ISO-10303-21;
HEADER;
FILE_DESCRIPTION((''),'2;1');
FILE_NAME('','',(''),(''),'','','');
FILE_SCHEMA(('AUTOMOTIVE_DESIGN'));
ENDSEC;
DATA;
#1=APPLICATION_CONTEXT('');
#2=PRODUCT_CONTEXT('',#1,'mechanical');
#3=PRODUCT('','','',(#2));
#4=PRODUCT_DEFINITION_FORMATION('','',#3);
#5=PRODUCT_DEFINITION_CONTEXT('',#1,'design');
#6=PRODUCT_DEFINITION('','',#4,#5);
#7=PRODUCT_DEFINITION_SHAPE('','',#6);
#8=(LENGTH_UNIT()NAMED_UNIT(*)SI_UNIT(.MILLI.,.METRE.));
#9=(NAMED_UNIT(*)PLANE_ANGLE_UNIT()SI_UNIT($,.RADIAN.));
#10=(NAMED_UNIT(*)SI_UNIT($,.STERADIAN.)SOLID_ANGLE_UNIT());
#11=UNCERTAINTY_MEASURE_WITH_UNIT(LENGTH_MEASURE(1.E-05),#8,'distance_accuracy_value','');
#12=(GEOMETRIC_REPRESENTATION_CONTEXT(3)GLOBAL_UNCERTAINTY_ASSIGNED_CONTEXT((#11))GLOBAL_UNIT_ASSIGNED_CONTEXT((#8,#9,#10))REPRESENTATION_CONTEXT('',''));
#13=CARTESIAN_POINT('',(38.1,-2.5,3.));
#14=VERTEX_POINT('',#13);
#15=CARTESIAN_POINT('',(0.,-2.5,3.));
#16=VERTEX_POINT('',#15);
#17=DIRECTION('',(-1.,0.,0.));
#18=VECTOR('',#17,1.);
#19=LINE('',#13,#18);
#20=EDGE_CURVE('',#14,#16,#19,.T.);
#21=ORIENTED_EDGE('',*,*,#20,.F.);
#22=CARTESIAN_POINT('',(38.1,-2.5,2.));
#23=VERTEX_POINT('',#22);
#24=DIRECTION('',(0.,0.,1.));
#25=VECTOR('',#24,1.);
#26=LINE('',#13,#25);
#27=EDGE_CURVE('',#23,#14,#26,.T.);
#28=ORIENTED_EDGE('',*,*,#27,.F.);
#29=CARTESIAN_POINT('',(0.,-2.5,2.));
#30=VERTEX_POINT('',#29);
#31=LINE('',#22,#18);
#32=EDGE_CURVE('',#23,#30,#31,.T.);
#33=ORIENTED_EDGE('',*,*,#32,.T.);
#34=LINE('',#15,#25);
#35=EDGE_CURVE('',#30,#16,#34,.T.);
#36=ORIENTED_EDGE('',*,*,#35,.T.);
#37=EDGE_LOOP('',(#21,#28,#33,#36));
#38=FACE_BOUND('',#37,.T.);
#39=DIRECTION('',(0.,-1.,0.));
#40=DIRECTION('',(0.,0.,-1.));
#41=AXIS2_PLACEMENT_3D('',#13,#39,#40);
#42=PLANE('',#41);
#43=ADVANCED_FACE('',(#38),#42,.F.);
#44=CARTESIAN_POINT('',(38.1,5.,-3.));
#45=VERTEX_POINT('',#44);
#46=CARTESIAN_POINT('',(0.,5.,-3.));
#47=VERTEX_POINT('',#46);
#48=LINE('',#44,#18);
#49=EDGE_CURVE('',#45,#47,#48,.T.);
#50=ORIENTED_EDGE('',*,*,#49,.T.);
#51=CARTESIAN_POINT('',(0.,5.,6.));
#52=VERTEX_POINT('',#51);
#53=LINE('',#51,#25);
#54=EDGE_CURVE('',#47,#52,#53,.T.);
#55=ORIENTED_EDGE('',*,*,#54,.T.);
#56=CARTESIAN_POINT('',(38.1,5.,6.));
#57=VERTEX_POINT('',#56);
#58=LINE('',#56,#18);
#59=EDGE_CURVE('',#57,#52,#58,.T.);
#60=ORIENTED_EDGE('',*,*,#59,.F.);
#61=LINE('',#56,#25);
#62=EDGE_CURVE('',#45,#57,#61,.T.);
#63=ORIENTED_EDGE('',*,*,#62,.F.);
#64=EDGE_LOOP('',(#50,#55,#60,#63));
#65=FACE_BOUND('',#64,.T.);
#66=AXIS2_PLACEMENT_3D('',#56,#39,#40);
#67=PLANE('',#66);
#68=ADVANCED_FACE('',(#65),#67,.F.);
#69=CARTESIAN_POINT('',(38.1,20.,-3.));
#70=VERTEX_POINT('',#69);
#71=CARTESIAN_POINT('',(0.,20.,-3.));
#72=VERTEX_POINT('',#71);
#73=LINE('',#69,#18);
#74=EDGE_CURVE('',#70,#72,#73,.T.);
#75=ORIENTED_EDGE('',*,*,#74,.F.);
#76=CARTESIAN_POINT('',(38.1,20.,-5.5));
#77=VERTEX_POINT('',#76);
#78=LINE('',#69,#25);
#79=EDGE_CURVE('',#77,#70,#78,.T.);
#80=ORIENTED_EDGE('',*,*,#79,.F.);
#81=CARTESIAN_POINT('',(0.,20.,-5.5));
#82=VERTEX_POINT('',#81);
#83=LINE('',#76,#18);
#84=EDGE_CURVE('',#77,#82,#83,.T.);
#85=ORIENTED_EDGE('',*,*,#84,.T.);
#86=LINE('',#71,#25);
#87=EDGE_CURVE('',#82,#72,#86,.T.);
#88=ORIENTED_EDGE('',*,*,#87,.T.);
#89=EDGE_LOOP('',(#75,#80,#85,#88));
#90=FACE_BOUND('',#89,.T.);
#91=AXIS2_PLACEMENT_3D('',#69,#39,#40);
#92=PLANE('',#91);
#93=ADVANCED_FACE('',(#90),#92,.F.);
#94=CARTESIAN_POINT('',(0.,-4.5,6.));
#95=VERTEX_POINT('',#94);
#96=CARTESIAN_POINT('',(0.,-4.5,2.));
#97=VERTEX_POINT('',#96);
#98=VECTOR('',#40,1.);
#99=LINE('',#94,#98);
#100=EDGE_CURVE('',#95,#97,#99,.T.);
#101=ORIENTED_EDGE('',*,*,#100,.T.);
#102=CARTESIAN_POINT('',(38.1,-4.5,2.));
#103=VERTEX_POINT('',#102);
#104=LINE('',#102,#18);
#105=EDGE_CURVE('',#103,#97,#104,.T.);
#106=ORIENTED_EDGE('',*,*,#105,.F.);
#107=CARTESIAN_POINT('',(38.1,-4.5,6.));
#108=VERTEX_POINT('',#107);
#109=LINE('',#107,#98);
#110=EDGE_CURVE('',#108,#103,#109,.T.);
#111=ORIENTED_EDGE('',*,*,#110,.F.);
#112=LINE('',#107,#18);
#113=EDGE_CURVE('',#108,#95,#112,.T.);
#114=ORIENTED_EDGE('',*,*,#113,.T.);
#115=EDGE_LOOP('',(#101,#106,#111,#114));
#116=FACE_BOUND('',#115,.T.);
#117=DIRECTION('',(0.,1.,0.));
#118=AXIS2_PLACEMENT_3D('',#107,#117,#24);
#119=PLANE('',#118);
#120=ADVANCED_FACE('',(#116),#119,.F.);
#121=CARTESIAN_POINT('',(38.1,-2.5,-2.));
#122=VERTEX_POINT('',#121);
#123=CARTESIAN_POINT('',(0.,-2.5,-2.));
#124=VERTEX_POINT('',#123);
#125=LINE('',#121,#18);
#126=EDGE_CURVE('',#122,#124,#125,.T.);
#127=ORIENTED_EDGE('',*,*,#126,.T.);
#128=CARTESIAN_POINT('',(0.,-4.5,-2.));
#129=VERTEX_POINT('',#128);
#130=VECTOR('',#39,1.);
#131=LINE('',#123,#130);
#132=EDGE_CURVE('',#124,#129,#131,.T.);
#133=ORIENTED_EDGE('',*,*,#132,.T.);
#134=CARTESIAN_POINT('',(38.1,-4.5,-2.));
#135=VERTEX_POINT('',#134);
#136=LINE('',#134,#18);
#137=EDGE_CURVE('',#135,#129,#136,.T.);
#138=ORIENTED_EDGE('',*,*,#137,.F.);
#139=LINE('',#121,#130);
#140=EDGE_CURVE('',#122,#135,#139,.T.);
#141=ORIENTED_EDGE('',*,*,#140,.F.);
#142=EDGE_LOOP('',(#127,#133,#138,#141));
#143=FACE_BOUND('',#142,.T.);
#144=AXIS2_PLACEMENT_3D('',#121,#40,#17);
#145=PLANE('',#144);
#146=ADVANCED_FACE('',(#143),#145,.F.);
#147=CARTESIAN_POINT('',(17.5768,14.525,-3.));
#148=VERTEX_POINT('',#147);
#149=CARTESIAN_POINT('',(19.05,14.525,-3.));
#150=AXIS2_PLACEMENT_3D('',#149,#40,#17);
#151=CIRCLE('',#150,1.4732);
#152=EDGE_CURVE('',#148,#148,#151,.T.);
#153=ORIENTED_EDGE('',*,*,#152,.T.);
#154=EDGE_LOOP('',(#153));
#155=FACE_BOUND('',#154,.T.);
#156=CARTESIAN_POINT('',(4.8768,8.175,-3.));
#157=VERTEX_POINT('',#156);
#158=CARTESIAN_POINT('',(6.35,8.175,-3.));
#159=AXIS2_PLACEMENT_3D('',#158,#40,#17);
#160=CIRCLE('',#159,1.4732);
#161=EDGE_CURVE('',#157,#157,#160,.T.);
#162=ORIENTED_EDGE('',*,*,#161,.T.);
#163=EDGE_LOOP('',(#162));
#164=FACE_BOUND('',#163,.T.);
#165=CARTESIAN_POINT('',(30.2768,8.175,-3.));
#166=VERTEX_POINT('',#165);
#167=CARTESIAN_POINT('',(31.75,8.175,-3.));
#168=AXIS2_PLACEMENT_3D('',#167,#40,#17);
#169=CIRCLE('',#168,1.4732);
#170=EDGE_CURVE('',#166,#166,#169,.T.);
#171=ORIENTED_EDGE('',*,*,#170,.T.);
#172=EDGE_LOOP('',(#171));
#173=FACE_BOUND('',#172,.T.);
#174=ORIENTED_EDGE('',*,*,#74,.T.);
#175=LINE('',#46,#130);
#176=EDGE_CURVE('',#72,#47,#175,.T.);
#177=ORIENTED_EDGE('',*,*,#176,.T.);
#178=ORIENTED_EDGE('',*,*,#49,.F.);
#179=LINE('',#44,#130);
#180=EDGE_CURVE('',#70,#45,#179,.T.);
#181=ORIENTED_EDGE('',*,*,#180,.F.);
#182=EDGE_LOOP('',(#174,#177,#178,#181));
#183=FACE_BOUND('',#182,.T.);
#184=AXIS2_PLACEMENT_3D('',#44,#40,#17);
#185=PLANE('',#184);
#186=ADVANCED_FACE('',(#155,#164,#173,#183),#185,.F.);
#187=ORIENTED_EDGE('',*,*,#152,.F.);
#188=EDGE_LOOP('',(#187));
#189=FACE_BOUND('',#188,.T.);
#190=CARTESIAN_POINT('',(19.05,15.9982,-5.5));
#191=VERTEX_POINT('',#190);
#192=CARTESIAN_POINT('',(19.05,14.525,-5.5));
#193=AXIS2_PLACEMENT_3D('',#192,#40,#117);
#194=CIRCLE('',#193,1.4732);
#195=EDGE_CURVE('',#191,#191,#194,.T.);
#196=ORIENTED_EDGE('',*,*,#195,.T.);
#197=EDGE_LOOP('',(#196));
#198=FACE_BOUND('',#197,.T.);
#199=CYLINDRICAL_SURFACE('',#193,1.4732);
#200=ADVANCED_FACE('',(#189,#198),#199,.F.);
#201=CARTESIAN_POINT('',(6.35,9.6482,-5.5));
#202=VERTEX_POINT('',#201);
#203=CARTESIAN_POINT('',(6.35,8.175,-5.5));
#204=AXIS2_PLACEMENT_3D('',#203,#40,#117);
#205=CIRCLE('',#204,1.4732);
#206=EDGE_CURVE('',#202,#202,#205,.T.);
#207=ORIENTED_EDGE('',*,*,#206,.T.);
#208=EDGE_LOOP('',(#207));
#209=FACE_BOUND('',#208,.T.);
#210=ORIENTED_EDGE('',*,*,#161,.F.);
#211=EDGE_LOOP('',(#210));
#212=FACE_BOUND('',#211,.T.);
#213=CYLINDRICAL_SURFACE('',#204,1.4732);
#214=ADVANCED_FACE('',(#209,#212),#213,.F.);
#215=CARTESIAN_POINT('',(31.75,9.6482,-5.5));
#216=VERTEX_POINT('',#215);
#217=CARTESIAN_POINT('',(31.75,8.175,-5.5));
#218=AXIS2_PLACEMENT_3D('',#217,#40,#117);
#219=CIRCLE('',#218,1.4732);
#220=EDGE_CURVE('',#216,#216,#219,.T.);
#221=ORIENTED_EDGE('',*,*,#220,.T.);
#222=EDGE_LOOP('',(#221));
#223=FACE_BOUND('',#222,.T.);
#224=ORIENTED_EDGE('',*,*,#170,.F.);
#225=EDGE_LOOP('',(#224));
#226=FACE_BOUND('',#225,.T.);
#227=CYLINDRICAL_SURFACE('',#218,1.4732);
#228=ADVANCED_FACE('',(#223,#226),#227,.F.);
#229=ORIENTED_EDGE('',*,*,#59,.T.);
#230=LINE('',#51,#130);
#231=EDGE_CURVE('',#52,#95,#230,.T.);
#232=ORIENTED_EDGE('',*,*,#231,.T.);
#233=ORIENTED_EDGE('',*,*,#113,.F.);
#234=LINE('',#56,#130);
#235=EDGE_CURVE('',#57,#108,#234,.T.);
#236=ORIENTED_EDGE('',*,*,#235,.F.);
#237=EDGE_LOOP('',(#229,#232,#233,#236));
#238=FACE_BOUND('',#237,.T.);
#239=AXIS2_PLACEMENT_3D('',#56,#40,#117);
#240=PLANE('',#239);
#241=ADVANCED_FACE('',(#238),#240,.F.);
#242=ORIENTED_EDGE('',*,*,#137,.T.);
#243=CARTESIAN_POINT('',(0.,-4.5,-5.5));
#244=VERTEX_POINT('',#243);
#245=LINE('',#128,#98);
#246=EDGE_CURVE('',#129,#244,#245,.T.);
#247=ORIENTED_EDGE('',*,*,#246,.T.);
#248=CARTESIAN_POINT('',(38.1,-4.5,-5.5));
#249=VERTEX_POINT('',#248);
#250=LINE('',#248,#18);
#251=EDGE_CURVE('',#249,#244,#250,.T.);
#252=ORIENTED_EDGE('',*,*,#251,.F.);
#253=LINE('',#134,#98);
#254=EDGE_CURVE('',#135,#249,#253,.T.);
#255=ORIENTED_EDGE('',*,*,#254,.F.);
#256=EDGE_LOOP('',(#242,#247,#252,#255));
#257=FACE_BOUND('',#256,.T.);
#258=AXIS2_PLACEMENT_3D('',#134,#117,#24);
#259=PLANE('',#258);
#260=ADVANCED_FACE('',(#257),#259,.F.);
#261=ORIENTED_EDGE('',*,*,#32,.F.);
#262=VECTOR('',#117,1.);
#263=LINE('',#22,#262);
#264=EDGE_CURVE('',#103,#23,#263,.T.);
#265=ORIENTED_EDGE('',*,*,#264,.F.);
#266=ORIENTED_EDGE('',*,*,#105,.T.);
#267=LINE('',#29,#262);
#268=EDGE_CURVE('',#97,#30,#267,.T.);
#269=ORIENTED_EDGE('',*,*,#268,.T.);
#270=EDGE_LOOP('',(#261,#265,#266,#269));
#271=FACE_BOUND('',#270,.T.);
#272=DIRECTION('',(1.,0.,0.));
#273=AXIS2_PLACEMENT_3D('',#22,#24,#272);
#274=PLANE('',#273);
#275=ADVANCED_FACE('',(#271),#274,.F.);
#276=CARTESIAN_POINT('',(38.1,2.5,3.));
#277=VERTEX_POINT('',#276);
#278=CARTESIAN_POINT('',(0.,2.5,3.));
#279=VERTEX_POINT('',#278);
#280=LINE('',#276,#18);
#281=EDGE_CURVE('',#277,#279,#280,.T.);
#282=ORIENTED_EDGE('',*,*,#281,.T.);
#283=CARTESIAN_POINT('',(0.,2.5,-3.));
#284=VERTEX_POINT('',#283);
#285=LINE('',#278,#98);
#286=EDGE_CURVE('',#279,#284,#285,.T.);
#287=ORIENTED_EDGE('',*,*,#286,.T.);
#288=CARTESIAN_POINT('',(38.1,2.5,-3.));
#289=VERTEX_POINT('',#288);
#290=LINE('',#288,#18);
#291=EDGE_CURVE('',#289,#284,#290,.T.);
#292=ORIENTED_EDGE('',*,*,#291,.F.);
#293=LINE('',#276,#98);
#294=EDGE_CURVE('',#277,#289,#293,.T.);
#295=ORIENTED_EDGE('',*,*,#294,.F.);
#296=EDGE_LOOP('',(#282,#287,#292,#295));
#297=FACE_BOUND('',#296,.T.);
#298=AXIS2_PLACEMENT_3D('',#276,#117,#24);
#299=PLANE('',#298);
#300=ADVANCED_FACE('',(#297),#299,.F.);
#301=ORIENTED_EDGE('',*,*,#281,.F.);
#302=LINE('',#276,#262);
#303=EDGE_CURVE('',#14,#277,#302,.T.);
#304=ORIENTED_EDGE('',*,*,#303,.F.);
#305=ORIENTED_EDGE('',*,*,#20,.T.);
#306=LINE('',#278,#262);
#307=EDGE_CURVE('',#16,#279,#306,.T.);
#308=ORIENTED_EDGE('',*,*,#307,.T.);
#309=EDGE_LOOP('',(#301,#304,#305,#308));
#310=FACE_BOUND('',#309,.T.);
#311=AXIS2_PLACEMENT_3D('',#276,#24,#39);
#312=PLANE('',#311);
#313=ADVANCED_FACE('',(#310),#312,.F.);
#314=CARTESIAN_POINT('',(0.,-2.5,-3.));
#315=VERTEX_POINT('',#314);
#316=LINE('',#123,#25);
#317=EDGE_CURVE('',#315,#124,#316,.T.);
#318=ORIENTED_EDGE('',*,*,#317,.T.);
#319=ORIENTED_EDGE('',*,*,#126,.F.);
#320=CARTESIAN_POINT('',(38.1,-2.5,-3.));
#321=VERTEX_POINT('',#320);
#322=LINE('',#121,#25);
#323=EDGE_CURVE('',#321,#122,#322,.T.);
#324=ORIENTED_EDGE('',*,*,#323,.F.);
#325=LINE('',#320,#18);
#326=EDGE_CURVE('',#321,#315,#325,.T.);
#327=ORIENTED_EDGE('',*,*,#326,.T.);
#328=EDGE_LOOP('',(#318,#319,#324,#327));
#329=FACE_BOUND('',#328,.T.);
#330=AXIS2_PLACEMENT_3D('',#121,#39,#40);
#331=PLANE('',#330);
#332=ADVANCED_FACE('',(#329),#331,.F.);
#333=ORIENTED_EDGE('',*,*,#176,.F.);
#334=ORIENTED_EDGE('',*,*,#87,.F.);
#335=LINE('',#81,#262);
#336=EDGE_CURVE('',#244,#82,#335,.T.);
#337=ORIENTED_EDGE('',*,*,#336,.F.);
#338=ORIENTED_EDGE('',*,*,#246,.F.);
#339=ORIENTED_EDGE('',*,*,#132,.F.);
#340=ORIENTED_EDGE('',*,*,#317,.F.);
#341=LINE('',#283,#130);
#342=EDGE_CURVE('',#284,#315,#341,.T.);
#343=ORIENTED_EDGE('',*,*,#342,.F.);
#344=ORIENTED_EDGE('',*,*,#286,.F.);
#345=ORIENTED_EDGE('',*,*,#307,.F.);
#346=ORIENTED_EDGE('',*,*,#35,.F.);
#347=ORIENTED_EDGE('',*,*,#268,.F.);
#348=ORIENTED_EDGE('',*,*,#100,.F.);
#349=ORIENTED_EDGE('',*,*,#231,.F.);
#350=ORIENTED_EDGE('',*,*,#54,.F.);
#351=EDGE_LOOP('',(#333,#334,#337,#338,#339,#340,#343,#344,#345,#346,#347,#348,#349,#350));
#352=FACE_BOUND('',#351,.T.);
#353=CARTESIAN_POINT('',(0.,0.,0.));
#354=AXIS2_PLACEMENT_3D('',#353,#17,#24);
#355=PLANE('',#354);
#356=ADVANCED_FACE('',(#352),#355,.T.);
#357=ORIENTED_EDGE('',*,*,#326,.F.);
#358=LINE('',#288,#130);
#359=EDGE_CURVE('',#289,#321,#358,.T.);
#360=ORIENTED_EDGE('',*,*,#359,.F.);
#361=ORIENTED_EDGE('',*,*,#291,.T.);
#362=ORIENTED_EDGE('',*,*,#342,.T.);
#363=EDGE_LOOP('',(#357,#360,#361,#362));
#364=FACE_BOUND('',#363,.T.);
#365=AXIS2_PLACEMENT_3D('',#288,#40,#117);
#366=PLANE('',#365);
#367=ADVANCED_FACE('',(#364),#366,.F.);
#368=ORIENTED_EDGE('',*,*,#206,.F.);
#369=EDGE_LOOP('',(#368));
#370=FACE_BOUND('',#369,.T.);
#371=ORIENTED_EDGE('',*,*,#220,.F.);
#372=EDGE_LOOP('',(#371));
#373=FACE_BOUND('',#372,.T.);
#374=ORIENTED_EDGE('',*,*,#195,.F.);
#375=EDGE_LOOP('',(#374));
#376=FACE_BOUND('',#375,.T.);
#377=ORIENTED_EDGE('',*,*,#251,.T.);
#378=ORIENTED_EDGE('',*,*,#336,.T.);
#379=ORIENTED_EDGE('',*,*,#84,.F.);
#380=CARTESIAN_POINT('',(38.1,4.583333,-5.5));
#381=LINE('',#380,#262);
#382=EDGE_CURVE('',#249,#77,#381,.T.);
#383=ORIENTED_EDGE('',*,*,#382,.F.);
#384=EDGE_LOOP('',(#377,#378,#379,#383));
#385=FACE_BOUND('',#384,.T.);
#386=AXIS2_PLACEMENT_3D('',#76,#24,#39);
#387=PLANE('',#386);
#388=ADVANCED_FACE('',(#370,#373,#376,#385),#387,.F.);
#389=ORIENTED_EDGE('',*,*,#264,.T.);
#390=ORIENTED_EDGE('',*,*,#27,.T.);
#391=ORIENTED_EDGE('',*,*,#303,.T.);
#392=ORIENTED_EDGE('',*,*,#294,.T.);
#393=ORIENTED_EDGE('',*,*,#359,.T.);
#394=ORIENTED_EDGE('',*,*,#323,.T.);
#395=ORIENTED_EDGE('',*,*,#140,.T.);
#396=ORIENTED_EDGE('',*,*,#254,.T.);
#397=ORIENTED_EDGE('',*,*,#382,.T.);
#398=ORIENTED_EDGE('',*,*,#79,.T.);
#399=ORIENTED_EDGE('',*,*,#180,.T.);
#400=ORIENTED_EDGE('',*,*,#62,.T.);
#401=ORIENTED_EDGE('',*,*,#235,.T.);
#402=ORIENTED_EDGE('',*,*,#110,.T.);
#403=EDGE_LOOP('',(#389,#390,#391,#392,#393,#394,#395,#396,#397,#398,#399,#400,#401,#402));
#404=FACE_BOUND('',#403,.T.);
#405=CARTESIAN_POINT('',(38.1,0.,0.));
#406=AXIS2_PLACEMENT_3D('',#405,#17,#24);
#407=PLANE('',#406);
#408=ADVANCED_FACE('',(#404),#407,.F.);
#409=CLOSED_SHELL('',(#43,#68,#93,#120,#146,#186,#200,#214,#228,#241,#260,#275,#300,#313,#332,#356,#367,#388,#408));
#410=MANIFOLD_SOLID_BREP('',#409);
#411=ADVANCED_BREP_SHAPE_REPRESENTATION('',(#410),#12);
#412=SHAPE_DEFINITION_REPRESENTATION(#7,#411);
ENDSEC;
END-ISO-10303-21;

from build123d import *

# Parameters (mm, degrees)
BOSS_EXTRUDE1_DEPTH       = 38.1
F_4_CLEARANCE_HOLE1_D     = 2.9464
F_4_CLEARANCE_HOLE1_DEPTH = 6.35
F_4_CLEARANCE_HOLE1_TIP   = 0.885187864


with BuildPart() as part:
    # Sketch1 → Boss-Extrude1 (new body)
    with BuildSketch(Plane(origin=(0, 0, 0), x_dir=(0, 0, -1), z_dir=(1, 0, 0))):
        Polygon((-6, -4.5), (-2, -4.5), (-2, -2.5), (-3, -2.5), (-3, 2.5), (3, 2.5), (3, -2.5), (2, -2.5), (2, -4.5), (5.5, -4.5), (5.5, 4.583333333), (5.5, 20), (3, 20), (3, 5), (-6, 5), align=None)
    extrude(amount=BOSS_EXTRUDE1_DEPTH)

    # #4 Clearance Hole1
    with Locations(Plane(origin=(0, 0, -5.5), x_dir=(-1, 0, 0), z_dir=(0, 0, -1))):
        with Locations((-19.05, 14.525), (-31.75, 8.175), (-6.35, 8.175)):
            Hole(F_4_CLEARANCE_HOLE1_D / 2, depth=F_4_CLEARANCE_HOLE1_DEPTH)
            with Locations((0, 0, -(F_4_CLEARANCE_HOLE1_DEPTH + F_4_CLEARANCE_HOLE1_TIP / 2))):  # 118° drill point
                Cone(0, F_4_CLEARANCE_HOLE1_D / 2, F_4_CLEARANCE_HOLE1_TIP, mode=Mode.SUBTRACT)


solid = part.part
